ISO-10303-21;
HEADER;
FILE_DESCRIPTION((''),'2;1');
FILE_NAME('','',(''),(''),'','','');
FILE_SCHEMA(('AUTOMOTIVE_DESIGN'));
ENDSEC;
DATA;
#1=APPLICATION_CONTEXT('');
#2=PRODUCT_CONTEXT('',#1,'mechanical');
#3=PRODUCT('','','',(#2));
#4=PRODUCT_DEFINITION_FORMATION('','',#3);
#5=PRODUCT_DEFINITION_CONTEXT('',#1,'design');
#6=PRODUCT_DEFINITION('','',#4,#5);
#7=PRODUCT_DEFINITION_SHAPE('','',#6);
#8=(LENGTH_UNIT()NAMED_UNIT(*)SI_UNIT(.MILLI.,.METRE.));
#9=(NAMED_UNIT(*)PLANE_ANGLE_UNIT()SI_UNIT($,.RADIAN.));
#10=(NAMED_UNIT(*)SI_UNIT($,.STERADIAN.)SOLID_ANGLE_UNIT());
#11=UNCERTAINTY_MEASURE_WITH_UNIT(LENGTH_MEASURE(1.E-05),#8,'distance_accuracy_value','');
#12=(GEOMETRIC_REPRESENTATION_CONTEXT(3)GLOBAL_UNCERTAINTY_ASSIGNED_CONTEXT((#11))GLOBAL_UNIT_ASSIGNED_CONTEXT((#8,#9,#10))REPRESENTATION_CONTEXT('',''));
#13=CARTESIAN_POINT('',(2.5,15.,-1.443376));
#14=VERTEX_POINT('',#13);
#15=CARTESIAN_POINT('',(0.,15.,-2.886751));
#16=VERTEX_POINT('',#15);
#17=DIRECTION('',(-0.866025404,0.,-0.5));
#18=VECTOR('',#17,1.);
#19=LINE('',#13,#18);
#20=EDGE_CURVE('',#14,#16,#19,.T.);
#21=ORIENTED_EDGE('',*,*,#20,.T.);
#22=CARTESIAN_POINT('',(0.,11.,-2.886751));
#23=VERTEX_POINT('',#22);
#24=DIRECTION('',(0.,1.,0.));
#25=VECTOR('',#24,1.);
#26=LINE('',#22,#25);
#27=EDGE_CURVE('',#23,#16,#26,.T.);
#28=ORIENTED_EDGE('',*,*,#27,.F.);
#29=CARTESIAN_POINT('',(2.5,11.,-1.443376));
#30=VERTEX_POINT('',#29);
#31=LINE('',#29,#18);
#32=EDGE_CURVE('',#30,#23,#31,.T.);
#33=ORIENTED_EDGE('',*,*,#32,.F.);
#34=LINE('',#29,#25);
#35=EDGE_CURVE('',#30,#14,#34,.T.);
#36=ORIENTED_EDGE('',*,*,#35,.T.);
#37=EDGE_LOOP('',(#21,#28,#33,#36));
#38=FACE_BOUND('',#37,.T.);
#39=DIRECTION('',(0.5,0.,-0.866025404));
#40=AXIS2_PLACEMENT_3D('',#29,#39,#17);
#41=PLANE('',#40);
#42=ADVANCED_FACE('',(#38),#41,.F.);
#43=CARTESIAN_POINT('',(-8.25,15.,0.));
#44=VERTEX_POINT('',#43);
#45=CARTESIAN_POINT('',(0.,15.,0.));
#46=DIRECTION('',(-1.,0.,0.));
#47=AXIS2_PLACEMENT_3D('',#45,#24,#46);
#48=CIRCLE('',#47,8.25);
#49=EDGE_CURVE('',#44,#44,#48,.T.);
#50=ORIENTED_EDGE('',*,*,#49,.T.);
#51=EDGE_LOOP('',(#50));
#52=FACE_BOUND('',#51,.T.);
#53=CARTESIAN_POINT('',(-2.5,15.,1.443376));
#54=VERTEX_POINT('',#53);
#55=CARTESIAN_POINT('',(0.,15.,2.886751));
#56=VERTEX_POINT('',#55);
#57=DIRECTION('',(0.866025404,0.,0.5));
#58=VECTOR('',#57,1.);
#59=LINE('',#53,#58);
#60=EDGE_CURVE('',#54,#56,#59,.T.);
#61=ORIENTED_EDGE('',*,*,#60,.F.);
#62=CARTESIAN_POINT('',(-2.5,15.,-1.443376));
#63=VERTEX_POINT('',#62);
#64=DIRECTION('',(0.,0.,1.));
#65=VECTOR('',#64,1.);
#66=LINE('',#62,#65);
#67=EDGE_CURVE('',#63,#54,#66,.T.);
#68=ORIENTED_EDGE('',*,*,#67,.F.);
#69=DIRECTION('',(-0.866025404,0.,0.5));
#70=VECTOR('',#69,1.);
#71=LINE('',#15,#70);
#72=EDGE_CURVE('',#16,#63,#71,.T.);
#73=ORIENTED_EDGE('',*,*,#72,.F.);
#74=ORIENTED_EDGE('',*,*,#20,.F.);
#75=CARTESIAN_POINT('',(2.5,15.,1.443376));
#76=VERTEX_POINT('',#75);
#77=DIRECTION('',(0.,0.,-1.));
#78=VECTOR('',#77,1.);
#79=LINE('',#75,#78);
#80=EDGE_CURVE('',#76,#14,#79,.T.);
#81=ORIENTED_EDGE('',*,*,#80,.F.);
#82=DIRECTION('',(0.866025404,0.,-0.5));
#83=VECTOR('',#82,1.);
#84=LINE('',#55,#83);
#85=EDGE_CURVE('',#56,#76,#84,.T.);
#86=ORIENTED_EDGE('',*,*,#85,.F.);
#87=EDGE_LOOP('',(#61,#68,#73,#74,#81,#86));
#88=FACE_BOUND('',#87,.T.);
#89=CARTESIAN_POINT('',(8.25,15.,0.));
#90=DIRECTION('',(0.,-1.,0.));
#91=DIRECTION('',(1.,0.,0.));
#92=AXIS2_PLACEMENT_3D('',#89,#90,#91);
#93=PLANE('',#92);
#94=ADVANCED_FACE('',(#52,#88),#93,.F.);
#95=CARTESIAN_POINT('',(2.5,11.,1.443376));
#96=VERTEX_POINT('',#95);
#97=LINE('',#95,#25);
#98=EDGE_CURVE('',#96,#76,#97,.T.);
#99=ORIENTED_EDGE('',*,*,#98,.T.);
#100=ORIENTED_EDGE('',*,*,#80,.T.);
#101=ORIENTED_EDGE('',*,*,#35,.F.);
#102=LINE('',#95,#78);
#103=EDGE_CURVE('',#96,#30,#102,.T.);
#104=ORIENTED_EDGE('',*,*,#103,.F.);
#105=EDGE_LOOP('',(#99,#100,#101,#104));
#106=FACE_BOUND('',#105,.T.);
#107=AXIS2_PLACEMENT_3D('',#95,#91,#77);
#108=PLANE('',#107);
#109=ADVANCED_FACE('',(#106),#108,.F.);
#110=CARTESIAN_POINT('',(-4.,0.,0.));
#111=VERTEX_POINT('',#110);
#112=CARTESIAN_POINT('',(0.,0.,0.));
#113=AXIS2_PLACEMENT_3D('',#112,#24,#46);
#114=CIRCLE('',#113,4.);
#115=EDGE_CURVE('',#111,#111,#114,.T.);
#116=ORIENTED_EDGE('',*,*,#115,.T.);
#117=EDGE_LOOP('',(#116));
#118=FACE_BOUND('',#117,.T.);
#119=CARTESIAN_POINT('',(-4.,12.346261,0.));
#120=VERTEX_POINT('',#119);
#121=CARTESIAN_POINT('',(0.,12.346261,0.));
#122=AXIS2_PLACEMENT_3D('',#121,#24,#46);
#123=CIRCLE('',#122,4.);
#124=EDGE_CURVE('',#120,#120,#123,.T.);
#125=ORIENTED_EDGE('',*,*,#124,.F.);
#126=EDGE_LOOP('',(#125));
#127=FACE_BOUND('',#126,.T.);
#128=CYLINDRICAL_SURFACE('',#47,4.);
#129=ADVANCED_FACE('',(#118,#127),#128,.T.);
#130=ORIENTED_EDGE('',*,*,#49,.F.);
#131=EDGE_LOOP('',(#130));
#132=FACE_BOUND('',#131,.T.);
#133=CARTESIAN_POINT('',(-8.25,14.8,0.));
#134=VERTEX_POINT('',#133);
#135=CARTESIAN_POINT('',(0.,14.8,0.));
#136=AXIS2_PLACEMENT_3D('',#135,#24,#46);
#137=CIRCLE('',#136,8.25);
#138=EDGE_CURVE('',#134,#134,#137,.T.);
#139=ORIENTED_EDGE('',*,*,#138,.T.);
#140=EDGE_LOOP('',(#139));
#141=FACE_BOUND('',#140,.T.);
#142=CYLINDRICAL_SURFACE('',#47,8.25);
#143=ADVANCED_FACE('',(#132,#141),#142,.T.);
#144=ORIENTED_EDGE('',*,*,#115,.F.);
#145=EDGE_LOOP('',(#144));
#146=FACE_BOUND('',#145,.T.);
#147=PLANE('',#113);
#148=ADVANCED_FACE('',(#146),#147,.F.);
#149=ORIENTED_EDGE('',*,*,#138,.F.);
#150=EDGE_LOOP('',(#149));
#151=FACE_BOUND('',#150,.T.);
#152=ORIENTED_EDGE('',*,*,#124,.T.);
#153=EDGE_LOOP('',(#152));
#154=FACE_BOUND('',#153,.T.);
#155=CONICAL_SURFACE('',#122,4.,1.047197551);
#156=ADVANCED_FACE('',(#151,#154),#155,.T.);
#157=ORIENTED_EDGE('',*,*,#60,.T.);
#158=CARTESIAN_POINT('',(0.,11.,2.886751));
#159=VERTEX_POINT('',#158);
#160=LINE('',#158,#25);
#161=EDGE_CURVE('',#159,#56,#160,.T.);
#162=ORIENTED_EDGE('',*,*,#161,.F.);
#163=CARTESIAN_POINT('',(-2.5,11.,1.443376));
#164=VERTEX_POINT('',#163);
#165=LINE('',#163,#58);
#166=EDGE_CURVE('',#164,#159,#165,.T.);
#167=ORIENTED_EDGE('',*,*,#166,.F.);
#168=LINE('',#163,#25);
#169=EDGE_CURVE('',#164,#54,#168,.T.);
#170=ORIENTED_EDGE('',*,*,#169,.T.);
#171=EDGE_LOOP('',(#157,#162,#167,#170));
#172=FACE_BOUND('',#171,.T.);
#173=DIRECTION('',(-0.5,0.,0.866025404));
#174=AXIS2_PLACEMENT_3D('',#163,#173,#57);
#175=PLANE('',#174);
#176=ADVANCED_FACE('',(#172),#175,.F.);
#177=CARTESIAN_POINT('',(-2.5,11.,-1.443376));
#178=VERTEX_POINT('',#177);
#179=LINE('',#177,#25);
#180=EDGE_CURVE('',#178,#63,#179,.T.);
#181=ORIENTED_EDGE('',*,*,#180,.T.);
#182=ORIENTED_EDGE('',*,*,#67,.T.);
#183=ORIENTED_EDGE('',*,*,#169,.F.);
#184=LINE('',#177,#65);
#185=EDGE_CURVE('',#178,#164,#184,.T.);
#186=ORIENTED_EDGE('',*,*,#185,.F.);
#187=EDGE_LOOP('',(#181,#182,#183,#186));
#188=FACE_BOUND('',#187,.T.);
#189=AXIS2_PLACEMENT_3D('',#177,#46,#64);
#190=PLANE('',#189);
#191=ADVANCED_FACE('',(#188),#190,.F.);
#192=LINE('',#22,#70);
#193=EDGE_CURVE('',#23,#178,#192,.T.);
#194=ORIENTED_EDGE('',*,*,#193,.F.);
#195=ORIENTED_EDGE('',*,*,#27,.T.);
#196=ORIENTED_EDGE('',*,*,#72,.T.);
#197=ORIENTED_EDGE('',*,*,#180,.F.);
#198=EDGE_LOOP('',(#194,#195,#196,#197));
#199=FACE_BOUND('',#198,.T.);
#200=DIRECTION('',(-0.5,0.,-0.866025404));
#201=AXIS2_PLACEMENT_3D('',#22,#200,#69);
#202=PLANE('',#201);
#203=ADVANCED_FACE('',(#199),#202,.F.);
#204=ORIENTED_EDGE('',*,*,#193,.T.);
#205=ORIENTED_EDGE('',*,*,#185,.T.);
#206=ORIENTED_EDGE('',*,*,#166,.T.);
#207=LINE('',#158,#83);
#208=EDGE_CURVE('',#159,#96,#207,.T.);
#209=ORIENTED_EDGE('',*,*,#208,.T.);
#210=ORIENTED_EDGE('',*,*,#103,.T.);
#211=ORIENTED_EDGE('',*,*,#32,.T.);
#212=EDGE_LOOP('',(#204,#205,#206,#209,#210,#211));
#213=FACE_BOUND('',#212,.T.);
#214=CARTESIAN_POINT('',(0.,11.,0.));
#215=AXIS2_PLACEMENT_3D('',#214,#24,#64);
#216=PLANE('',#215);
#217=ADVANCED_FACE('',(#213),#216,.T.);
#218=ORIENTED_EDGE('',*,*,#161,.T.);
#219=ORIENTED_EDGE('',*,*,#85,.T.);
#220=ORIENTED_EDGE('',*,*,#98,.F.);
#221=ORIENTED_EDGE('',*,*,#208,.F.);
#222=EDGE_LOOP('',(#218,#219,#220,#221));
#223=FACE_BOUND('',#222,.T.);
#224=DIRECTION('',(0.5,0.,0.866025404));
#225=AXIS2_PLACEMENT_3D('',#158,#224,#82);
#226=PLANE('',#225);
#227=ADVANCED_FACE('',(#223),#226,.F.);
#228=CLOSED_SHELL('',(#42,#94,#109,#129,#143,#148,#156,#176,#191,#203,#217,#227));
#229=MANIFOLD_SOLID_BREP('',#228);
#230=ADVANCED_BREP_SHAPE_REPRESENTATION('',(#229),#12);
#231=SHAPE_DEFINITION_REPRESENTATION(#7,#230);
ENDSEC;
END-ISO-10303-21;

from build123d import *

# Parameters (mm, degrees)
CORTE_EXTRUS_O1_DEPTH = 4


with BuildPart() as part:
    # Esboço1 → Revolução1 (revolve)
    with BuildSketch(Plane.XY):
        Polygon((0, 0), (4, 0), (4, 12.346261356), (8.25, 14.8), (8.25, 15), (0, 15), align=None)
    revolve(axis=Axis((0, 15, 0), (0, -1, 0)))

    # Esboço2 → Corte-extrusão1 (cut)
    with BuildSketch(Plane(origin=(0, 15, 0), x_dir=(1, 0, 0), z_dir=(0, 1, 0))):
        Polygon((0, 2.886751346), (-2.5, 1.443375673), (-2.5, -1.443375673), (0, -2.886751346), (2.5, -1.443375673), (2.5, 1.443375673), align=None)
    extrude(amount=-CORTE_EXTRUS_O1_DEPTH, mode=Mode.SUBTRACT)


solid = part.part
